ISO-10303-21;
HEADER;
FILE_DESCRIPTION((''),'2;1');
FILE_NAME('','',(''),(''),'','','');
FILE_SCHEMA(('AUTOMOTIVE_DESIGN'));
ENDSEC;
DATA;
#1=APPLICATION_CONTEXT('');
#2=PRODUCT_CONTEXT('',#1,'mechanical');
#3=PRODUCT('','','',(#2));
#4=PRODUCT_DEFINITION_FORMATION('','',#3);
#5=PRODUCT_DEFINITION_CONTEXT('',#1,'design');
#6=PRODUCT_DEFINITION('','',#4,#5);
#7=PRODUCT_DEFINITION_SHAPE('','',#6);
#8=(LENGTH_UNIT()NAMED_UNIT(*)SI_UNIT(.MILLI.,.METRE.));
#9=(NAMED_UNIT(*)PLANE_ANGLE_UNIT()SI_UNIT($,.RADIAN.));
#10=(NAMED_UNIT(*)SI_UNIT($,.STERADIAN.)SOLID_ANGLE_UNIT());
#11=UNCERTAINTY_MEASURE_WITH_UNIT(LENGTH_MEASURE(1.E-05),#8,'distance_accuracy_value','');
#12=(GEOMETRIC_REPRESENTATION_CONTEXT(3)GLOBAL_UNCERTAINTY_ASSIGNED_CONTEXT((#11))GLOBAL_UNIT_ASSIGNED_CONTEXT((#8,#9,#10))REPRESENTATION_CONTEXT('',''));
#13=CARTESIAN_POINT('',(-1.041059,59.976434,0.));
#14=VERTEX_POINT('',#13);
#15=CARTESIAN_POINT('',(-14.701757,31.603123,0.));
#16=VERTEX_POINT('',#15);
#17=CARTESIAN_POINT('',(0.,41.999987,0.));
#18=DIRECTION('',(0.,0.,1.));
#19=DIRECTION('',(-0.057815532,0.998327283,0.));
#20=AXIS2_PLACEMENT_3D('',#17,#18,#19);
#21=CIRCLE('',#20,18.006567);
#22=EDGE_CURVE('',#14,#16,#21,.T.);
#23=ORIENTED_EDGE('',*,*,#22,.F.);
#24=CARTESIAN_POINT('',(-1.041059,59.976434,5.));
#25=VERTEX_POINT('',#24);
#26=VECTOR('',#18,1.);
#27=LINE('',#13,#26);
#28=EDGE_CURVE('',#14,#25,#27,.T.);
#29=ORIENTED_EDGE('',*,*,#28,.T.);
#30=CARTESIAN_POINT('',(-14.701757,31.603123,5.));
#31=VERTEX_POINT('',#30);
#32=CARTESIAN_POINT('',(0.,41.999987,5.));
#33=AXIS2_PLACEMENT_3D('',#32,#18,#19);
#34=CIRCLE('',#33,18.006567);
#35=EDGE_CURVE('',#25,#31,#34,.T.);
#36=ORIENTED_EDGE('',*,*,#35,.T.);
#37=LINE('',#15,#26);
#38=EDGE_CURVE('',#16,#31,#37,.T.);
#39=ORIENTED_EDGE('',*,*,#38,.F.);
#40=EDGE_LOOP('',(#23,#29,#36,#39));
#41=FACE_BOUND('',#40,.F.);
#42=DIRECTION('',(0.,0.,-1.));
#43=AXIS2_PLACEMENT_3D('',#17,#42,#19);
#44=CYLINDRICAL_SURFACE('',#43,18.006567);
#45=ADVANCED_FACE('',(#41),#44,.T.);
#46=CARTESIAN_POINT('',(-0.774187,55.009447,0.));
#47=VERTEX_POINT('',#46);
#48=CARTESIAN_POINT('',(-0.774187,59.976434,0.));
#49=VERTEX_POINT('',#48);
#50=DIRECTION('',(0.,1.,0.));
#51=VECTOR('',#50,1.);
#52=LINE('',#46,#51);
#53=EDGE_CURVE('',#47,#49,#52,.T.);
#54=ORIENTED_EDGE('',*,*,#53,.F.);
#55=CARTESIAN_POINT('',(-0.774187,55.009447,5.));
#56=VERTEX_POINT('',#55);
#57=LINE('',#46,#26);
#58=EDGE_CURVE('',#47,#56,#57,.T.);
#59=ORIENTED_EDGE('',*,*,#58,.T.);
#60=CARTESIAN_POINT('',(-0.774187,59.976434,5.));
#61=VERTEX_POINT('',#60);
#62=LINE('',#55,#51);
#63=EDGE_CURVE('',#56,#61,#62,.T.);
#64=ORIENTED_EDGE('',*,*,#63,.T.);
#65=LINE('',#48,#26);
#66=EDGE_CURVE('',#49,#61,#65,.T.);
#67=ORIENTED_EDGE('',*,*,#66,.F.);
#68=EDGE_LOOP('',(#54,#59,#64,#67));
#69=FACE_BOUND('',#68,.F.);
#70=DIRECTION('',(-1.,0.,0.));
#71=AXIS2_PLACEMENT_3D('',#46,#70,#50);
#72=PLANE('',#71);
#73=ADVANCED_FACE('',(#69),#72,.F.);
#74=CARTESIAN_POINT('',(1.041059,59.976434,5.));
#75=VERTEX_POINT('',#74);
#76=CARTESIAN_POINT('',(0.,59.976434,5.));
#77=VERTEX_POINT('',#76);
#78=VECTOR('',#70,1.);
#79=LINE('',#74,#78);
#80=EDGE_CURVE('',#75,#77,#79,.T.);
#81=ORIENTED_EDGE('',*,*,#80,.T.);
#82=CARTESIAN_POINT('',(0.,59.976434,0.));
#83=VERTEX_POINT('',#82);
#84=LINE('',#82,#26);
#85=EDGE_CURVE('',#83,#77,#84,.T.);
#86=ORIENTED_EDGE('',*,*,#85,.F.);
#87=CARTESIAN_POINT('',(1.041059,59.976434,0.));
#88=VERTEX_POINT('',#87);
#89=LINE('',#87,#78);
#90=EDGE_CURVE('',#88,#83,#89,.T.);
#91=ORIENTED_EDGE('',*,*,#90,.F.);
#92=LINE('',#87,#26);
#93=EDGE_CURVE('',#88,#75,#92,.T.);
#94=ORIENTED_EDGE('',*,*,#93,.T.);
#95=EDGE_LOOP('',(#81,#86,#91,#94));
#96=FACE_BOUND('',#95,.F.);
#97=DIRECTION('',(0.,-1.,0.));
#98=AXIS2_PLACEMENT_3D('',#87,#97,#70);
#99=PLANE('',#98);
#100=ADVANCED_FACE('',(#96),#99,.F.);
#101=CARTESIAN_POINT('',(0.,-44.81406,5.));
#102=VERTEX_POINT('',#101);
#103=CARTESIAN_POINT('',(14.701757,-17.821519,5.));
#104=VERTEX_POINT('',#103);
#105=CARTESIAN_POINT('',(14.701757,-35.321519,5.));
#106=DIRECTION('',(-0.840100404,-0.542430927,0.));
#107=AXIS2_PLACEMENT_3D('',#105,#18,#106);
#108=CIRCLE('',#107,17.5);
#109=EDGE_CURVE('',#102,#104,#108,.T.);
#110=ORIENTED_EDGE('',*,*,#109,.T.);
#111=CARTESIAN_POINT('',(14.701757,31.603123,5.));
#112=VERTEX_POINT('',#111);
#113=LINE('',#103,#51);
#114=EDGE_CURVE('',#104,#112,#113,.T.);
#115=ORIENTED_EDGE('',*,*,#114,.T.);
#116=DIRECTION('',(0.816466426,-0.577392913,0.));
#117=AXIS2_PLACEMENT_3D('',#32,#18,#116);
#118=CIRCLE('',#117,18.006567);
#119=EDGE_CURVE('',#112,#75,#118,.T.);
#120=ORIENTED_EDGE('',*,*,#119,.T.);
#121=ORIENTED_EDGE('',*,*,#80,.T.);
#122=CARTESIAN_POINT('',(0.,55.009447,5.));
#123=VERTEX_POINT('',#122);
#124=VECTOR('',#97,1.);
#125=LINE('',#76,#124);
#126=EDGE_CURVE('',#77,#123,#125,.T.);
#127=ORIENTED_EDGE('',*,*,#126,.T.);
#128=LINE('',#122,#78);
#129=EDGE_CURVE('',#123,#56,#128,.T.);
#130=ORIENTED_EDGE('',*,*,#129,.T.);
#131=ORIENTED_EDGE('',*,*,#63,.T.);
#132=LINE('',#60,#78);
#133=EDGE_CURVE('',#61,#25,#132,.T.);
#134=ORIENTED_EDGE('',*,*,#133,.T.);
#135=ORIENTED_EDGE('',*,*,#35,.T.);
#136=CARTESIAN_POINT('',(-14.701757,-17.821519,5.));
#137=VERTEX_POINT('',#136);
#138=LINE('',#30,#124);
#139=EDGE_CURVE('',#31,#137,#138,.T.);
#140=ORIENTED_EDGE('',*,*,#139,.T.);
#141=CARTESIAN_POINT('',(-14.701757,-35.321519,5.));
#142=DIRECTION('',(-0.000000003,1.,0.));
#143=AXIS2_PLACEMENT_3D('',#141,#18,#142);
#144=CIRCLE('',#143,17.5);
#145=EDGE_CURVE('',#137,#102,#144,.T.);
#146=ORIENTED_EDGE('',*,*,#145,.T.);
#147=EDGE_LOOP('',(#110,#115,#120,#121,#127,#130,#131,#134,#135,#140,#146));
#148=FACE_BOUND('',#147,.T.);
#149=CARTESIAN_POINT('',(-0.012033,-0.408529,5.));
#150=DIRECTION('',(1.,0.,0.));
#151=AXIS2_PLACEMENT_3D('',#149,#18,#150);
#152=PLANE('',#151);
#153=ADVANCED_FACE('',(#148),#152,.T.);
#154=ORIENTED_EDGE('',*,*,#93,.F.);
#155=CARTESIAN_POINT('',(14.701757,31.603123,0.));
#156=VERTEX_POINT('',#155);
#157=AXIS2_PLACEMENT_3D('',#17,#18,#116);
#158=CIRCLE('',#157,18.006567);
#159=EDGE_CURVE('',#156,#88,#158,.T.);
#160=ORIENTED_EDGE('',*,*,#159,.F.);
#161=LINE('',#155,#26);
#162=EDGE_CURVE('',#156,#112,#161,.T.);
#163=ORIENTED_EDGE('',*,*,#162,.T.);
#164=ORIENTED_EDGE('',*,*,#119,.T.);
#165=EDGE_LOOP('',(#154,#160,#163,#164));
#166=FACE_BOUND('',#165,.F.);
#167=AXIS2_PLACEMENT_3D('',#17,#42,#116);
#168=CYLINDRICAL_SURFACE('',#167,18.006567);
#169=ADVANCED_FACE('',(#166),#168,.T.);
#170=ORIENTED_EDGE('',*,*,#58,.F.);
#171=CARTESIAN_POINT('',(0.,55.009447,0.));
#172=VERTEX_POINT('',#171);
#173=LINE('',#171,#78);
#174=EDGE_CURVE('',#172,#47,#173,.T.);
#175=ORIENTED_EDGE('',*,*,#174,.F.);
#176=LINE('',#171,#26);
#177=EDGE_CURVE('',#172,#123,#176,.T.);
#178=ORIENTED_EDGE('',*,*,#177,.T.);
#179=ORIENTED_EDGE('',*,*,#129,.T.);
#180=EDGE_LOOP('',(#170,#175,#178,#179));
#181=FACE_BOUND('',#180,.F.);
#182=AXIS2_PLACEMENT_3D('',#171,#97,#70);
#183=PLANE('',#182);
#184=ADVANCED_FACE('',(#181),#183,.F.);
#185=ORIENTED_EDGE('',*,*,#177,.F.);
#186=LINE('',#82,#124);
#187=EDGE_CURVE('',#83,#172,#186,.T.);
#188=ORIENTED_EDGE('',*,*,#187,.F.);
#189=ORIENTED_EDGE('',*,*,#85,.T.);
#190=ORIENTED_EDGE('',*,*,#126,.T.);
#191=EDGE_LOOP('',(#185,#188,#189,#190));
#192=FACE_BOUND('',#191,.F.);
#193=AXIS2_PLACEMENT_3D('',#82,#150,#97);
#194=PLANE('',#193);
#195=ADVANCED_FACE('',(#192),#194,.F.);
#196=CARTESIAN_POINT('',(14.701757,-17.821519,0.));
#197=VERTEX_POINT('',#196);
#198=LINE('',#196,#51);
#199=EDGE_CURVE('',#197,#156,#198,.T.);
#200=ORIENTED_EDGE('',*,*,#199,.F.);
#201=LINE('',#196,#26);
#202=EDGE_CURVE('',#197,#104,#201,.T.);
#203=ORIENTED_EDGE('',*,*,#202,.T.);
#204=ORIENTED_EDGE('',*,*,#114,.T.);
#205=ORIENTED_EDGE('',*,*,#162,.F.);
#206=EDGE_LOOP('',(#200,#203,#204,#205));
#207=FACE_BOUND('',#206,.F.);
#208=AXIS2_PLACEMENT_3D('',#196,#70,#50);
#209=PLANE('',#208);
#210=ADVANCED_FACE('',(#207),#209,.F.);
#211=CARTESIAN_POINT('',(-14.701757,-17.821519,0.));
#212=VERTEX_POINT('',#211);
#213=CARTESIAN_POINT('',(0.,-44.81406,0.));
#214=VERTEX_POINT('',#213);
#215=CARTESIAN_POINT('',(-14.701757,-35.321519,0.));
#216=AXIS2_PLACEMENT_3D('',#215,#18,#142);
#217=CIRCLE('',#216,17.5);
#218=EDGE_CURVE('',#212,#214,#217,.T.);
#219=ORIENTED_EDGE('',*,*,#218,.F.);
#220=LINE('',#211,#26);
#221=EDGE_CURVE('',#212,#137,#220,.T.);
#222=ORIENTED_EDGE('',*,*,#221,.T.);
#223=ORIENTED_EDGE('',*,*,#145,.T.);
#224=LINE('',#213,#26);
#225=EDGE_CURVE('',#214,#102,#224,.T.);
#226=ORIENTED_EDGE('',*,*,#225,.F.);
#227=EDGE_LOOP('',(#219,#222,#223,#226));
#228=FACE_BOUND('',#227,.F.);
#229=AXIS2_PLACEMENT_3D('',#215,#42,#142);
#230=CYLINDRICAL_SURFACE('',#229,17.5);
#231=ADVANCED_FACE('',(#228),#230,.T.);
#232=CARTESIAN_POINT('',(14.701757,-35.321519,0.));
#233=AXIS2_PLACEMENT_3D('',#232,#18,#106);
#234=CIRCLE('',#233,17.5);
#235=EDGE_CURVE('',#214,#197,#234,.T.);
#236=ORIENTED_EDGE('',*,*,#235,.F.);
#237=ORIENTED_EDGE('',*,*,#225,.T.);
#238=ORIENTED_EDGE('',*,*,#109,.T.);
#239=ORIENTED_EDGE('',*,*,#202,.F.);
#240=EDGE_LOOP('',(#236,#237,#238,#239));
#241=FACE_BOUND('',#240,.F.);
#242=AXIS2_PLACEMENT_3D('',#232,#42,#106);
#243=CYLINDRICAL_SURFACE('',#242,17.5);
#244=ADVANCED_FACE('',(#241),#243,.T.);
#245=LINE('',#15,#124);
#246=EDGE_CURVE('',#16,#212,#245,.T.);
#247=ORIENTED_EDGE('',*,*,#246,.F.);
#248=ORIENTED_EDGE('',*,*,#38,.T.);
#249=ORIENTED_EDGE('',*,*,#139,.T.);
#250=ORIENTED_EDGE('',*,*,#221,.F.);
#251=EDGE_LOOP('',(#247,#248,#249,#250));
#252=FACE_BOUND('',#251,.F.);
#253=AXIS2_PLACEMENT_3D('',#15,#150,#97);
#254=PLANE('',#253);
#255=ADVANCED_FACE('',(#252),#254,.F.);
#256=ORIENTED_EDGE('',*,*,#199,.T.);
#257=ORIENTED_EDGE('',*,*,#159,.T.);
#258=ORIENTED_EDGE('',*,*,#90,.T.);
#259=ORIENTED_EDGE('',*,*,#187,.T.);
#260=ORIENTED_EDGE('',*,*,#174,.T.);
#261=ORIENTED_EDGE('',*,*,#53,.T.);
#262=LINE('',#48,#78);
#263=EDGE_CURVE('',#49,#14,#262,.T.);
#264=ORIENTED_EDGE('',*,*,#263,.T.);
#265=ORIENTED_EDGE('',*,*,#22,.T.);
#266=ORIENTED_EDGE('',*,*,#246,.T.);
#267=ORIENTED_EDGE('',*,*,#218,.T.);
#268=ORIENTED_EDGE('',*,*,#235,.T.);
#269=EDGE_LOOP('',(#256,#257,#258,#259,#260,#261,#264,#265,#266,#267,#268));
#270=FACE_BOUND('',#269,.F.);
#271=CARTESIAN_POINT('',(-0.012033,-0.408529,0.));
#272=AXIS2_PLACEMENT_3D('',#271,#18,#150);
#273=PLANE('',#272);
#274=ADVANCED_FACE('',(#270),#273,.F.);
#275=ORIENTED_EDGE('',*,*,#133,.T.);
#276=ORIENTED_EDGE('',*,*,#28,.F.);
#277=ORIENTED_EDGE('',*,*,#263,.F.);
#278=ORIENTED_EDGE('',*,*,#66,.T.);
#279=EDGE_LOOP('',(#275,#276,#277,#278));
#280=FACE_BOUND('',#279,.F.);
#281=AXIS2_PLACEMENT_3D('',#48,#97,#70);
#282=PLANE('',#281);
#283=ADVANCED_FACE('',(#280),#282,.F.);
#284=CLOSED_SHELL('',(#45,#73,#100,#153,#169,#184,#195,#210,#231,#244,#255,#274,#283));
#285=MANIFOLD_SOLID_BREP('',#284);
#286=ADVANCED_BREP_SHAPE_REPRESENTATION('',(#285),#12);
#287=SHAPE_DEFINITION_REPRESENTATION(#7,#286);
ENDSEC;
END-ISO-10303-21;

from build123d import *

# Parameters (mm, degrees)
F1_DEPTH = 5


with BuildPart() as f1:
    # F0 (on Top) → F1 (new body)
    with BuildSketch(Plane.XY):
        with BuildLine():
            Line((14.701757, -17.821519), (14.701757, 31.603123))
            ThreePointArc((14.701757, 31.603123), (16.224064, 49.811273), (1.041059, 59.976434))
            Line((1.041059, 59.976434), (0, 59.976434))
            Line((0, 59.976434), (0, 55.009447))
            Line((0, 55.009447), (-0.774187, 55.009447))
            Line((-0.774187, 55.009447), (-0.774187, 59.976434))
            Line((-0.774187, 59.976434), (-1.041059, 59.976434))
            ThreePointArc((-1.041059, 59.976434), (-16.224064, 49.811273), (-14.701757, 31.603123))
            Line((-14.701757, 31.603123), (-14.701757, -17.821519))
            ThreePointArc((-14.701757, -17.821519), (-30.07006, -43.692018), (0, -44.81406))
            ThreePointArc((0, -44.81406), (30.07006, -43.692018), (14.701757, -17.821519))
        make_face()
    extrude(amount=F1_DEPTH)


solid = f1.part
